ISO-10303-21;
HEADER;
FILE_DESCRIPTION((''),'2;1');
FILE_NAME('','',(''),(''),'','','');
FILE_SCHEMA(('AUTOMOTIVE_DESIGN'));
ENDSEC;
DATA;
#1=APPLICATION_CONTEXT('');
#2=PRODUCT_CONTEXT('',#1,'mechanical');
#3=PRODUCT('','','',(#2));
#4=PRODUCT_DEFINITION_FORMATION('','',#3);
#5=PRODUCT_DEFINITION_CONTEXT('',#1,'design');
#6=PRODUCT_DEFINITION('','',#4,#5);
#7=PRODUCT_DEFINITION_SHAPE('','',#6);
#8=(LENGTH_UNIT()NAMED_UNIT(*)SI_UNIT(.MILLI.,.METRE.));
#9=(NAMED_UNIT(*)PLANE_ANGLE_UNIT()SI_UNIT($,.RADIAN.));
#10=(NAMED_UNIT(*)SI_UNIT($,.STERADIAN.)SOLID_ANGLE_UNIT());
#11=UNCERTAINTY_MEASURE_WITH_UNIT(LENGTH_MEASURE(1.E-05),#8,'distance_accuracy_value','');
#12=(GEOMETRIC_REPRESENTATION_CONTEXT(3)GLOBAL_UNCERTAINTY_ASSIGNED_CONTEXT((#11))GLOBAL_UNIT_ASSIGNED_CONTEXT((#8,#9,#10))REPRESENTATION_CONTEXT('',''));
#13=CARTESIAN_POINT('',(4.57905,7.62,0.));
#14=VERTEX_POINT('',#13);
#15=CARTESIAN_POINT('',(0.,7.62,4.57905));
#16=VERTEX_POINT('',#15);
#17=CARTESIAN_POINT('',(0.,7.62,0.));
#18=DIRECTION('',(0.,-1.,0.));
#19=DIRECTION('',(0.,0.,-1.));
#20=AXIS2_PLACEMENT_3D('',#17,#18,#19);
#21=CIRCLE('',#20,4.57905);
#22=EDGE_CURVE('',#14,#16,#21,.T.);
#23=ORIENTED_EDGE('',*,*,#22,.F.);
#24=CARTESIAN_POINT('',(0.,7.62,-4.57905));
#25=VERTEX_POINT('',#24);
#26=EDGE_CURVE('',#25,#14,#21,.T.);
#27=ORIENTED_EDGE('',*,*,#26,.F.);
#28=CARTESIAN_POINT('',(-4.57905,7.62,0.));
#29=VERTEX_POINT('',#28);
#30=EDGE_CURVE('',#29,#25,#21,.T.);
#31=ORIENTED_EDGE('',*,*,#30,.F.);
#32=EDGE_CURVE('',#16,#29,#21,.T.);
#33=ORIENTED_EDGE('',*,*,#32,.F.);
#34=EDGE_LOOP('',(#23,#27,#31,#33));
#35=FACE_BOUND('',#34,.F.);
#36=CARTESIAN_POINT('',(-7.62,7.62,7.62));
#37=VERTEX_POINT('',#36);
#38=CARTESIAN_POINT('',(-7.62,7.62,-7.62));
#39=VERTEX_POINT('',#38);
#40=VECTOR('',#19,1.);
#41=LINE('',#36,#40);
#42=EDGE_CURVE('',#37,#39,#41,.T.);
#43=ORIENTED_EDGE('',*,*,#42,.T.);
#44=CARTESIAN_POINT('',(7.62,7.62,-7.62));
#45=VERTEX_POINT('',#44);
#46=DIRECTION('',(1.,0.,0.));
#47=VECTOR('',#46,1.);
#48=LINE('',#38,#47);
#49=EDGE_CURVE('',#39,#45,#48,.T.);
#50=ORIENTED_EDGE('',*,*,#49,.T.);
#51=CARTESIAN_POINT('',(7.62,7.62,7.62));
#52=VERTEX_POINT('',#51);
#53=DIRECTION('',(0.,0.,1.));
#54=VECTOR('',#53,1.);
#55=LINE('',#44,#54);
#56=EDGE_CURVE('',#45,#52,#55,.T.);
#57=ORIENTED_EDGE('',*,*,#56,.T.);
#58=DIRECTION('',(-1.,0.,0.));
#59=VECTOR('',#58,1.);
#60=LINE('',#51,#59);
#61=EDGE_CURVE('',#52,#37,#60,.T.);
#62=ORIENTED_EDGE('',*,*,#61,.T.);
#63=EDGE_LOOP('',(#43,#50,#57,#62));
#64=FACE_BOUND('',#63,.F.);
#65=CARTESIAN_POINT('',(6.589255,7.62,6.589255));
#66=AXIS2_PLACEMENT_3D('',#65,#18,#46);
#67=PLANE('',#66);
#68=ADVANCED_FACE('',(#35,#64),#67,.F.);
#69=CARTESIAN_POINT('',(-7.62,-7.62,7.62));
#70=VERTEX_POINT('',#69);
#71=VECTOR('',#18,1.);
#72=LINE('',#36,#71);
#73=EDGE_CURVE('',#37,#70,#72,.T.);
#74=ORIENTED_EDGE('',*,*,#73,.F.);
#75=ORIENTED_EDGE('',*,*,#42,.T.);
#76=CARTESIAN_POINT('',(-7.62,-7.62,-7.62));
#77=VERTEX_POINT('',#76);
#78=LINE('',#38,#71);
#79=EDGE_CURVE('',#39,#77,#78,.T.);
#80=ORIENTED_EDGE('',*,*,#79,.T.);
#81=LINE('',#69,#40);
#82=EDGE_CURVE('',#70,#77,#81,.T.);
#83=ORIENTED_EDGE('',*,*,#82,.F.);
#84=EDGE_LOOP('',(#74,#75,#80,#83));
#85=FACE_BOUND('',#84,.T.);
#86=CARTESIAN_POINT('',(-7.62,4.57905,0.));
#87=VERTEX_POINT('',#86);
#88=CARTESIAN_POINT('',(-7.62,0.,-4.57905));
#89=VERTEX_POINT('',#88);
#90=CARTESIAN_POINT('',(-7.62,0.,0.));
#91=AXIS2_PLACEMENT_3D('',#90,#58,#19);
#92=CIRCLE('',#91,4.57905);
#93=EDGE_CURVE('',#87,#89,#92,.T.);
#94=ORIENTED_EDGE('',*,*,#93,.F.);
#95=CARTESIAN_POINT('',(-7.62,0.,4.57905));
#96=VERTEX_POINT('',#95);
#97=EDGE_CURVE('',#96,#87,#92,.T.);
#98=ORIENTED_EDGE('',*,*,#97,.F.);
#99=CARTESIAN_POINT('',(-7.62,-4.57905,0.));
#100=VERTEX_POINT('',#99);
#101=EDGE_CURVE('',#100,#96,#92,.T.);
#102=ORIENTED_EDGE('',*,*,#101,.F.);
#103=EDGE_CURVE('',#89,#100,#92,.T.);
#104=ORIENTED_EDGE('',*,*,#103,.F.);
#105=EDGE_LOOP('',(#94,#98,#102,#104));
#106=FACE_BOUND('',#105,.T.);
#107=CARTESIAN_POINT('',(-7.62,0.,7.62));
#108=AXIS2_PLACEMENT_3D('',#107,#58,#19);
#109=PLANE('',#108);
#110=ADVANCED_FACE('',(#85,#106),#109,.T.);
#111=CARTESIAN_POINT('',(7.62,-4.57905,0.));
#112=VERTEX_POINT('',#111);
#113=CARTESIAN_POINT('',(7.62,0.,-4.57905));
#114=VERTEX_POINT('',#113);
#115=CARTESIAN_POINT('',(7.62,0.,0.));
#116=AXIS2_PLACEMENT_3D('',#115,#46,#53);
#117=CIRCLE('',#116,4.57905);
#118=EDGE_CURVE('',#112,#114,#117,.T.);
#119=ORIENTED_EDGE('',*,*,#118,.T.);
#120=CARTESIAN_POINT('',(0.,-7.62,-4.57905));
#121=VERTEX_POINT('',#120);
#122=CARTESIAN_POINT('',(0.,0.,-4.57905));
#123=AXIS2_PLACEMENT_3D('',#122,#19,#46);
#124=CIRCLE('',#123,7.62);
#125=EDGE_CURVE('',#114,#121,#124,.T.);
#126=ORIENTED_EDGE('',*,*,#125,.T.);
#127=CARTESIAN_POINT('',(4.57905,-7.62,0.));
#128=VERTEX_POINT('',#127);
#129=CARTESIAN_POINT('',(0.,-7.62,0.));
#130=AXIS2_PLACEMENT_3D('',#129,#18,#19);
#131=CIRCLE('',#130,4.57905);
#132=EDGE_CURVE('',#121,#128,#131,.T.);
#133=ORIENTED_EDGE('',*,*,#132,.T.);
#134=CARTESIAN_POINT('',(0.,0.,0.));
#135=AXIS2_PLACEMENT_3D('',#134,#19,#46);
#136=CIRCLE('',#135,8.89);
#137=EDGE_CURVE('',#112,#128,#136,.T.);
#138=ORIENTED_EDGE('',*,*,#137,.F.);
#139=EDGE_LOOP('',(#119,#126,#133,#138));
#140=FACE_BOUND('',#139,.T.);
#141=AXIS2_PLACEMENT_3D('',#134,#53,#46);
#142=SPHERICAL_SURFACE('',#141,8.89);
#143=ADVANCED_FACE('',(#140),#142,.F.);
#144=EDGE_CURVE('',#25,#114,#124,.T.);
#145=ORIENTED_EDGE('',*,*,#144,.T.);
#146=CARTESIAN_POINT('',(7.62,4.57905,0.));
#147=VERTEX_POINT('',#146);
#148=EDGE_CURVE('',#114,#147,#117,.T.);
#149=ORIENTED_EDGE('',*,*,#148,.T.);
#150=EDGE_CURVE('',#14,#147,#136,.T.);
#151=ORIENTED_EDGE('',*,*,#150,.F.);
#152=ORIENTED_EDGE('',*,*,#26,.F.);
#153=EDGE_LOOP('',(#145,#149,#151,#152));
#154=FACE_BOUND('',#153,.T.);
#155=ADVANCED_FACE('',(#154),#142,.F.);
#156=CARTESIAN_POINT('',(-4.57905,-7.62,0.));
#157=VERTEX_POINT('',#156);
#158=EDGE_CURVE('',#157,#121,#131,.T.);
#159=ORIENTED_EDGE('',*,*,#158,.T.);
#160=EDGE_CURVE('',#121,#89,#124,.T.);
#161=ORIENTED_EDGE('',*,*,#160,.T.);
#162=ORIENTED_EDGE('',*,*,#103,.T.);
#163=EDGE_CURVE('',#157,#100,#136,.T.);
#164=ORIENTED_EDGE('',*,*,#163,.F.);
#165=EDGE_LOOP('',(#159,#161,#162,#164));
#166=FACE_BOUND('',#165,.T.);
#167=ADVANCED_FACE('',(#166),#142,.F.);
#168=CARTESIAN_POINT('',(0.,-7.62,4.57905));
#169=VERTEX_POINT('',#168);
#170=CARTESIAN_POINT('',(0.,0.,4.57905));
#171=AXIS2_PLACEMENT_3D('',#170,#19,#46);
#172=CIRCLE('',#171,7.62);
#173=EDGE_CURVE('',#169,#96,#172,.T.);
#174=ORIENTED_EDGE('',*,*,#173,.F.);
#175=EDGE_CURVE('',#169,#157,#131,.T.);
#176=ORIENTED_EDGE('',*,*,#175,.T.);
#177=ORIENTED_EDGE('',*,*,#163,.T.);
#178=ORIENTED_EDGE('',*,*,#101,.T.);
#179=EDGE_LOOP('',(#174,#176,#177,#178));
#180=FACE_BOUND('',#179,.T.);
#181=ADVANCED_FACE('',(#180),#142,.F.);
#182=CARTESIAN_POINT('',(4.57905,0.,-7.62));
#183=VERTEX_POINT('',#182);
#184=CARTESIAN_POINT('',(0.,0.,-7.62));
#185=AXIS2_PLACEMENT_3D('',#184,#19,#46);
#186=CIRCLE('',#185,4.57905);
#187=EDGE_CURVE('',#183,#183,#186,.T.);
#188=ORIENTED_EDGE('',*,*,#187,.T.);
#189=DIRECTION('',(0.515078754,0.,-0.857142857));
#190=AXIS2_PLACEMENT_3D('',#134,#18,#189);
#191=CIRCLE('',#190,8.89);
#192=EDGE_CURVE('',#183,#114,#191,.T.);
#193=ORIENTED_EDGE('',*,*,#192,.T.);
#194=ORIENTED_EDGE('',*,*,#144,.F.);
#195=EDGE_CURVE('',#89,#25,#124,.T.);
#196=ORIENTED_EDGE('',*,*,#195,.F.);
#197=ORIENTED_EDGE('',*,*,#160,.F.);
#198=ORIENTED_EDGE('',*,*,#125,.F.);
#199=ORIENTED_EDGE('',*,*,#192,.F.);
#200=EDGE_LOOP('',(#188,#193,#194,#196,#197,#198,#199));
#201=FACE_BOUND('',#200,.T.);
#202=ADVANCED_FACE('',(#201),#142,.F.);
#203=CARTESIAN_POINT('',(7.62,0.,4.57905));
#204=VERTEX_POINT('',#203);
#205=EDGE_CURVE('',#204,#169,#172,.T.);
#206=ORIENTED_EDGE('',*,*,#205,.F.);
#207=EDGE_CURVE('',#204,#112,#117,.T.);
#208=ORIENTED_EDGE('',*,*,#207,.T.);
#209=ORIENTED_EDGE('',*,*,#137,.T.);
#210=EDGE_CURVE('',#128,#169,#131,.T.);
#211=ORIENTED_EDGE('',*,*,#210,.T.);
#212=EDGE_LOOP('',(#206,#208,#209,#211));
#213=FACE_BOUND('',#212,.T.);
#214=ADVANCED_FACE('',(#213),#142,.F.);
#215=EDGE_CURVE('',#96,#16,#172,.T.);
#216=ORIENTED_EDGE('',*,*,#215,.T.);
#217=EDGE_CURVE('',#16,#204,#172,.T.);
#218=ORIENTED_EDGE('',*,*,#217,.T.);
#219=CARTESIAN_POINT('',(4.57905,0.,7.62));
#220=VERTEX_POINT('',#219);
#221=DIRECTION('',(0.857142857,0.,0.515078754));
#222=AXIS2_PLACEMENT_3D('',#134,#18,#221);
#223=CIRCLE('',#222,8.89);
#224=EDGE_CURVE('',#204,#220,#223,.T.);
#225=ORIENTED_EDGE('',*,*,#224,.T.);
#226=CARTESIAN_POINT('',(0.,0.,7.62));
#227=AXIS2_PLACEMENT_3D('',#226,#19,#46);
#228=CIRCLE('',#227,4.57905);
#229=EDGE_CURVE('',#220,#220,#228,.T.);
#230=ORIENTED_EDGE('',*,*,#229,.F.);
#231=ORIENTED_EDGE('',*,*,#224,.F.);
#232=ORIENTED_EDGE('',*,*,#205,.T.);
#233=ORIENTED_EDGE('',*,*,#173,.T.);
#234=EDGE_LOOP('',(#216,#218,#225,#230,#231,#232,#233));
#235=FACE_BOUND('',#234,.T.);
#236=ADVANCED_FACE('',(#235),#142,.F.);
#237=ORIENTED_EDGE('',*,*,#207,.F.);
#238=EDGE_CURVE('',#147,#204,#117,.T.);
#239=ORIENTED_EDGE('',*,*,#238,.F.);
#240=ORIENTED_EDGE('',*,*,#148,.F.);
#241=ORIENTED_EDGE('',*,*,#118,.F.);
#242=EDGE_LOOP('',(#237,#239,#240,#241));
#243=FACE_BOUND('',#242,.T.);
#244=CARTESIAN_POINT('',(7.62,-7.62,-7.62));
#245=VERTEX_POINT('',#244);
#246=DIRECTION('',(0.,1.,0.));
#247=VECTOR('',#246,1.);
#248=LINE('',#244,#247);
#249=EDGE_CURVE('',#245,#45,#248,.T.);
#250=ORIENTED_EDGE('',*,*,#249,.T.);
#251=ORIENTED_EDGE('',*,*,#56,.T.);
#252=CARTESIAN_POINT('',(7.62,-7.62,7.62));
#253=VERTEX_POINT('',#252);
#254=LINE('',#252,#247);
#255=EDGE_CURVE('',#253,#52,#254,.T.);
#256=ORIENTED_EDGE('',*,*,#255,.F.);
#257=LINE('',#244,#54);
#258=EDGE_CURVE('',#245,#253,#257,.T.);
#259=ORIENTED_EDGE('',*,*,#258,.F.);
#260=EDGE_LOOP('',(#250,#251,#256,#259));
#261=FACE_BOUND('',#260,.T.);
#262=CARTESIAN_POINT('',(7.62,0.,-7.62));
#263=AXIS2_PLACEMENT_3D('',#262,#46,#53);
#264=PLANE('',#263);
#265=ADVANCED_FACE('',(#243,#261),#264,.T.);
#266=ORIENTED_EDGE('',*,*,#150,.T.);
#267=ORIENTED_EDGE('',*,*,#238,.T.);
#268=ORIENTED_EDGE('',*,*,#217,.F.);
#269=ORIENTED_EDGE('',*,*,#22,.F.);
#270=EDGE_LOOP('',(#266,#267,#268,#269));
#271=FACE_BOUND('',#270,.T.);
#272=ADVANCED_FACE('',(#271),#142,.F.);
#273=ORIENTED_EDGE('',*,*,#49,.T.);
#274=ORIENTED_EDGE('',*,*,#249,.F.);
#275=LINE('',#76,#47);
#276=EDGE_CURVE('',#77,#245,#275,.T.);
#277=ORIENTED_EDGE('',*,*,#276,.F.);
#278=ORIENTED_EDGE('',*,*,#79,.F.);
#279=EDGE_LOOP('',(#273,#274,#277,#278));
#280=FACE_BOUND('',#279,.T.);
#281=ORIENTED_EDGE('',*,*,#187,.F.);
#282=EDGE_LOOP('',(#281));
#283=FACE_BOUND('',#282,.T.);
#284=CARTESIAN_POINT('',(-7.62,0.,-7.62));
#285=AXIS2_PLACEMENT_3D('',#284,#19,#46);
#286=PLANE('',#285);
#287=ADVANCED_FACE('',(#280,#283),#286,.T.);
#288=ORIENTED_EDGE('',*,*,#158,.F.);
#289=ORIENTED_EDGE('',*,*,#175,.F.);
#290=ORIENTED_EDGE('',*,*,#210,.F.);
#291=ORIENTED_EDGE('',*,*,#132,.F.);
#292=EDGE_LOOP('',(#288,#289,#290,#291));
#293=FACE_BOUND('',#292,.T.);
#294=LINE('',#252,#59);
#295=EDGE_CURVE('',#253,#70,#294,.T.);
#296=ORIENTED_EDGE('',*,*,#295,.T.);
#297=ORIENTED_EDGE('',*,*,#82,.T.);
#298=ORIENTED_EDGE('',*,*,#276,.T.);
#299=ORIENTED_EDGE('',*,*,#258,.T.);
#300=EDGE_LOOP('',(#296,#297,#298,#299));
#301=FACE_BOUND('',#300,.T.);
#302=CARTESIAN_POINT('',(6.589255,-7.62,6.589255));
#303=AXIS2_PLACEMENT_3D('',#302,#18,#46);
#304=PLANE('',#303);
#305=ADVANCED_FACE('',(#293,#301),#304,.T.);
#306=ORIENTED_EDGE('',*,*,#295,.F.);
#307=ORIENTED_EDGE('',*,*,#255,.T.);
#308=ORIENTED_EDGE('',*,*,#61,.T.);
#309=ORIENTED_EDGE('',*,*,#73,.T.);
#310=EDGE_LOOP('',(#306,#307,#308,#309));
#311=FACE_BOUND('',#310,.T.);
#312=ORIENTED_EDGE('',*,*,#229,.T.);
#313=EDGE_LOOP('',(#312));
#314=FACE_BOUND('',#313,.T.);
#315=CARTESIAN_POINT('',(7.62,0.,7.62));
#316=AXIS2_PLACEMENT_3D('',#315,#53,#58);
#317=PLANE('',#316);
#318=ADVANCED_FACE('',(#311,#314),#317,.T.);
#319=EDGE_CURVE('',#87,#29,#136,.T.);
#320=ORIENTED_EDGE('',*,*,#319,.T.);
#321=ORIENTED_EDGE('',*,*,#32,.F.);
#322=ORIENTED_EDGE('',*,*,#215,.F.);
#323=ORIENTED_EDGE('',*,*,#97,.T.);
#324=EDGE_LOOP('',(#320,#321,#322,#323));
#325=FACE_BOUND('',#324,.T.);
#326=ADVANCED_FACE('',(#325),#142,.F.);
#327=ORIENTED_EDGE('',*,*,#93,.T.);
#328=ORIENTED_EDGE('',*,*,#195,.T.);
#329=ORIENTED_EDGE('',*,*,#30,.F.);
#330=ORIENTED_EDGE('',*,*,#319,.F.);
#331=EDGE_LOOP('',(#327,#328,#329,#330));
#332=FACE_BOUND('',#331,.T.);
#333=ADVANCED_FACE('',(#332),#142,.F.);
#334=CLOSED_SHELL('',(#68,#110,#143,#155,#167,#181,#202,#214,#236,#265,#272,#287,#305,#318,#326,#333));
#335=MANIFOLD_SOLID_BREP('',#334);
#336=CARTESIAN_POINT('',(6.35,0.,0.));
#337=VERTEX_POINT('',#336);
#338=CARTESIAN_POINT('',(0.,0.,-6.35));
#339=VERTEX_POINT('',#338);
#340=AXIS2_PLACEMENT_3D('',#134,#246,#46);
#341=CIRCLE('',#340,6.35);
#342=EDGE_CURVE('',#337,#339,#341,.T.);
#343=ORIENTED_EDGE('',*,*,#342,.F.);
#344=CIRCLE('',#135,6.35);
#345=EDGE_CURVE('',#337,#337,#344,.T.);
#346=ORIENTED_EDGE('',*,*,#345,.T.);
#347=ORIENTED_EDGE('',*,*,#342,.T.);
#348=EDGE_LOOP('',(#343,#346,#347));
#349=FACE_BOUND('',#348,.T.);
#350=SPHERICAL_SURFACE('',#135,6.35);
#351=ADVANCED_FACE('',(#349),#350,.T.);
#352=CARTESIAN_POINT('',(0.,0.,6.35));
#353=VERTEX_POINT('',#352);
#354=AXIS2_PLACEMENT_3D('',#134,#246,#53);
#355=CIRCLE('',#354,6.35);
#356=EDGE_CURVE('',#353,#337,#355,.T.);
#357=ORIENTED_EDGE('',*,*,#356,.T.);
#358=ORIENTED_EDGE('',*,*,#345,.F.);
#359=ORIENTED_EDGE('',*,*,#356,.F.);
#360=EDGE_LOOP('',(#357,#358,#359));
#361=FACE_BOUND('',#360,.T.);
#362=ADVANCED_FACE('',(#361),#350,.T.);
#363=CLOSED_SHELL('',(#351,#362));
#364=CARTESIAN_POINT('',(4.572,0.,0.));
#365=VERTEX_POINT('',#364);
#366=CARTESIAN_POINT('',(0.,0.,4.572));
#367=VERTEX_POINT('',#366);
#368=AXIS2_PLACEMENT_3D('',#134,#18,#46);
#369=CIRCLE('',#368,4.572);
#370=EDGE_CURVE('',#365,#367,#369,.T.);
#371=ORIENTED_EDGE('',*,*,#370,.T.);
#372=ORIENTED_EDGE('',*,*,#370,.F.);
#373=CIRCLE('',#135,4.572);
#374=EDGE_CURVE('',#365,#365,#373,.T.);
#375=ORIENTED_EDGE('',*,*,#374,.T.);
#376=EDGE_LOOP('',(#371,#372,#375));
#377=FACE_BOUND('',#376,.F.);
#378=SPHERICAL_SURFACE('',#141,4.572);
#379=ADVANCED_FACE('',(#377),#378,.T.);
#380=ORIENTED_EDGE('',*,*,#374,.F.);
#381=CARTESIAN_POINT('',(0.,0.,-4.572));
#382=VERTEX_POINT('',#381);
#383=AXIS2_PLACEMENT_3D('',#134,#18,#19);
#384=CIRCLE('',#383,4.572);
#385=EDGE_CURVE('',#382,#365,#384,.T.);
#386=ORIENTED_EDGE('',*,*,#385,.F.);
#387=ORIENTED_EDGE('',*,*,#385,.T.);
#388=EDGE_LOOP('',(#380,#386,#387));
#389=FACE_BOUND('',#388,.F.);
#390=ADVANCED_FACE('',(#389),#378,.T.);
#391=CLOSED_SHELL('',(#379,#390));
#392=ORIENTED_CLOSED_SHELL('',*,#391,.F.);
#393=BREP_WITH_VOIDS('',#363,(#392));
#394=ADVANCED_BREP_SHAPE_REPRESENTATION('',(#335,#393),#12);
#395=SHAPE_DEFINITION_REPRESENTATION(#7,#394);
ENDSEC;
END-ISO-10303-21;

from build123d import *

# Parameters (mm, degrees)
F1_DEPTH = 7.62


with BuildPart() as f1:
    # F0 (on Front) → F1 (new body, symmetric)
    with BuildSketch(Plane.XZ):
        with BuildLine():
            ThreePointArc((4.5790501198, 7.62), (6.2861792847, 6.2861792847), (7.62, 4.5790501198))
            Line((7.62, 4.5790501198), (7.62, 7.62))
            Line((7.62, 7.62), (4.5790501198, 7.62))
        make_face()
        with BuildLine():
            Line((0, -7.62), (4.5790501198, -7.62))
            ThreePointArc((4.5790501198, -7.62), (6.2861792847, -6.2861792847), (7.62, -4.5790501198))
            Line((7.62, -4.5790501198), (7.62, 4.5790501198))
            ThreePointArc((7.62, 4.5790501198), (6.2861792847, 6.2861792847), (4.5790501198, 7.62))
            Line((4.5790501198, 7.62), (0, 7.62))
            Line((0, 7.62), (0, 6.35))
            ThreePointArc((0, 6.35), (4.4901280605, 4.4901280605), (6.35, 0))
            ThreePointArc((6.35, 0), (4.4901280605, -4.4901280605), (0, -6.35))
            Line((0, -6.35), (0, -7.62))
        make_face()
        with BuildLine():
            Line((4.5790501198, -7.62), (7.62, -7.62))
            Line((7.62, -7.62), (7.62, -4.5790501198))
            ThreePointArc((7.62, -4.5790501198), (6.2861792847, -6.2861792847), (4.5790501198, -7.62))
        make_face()
        with BuildLine():
            Line((-4.5790501198, -7.62), (0, -7.62))
            Line((0, -7.62), (0, -6.35))
            ThreePointArc((0, -6.35), (-6.35, 0), (0, 6.35))
            Line((0, 6.35), (0, 7.62))
            Line((0, 7.62), (-4.5790501198, 7.62))
            ThreePointArc((-4.5790501198, 7.62), (-6.2861792847, 6.2861792847), (-7.62, 4.5790501198))
            Line((-7.62, 4.5790501198), (-7.62, -4.5790501198))
            ThreePointArc((-7.62, -4.5790501198), (-6.2861792847, -6.2861792847), (-4.5790501198, -7.62))
        make_face()
        with BuildLine():
            Line((-7.62, 7.62), (-7.62, 4.5790501198))
            ThreePointArc((-7.62, 4.5790501198), (-6.2861792847, 6.2861792847), (-4.5790501198, 7.62))
            Line((-4.5790501198, 7.62), (-7.62, 7.62))
        make_face()
        with BuildLine():
            Line((-7.62, -7.62), (-4.5790501198, -7.62))
            ThreePointArc((-4.5790501198, -7.62), (-6.2861792847, -6.2861792847), (-7.62, -4.5790501198))
            Line((-7.62, -4.5790501198), (-7.62, -7.62))
        make_face()
        with BuildLine():
            ThreePointArc((0, 6.35), (-6.35, 0), (0, -6.35))
            Line((0, -6.35), (0, -4.572))
            ThreePointArc((0, -4.572), (-4.572, 0), (0, 4.572))
            Line((0, 4.572), (0, 6.35))
        make_face()
        with BuildLine():
            Line((0, -4.572), (0, -6.35))
            ThreePointArc((0, -6.35), (4.4901280605, -4.4901280605), (6.35, 0))
            ThreePointArc((6.35, 0), (4.4901280605, 4.4901280605), (0, 6.35))
            Line((0, 6.35), (0, 4.572))
            ThreePointArc((0, 4.572), (3.2328922036, 3.2328922036), (4.572, 0))
            ThreePointArc((4.572, 0), (3.2328922036, -3.2328922036), (0, -4.572))
        make_face()
        with BuildLine():
            Line((0, 4.572), (0, -4.572))
            ThreePointArc((0, -4.572), (3.2328922036, -3.2328922036), (4.572, 0))
            ThreePointArc((4.572, 0), (3.2328922036, 3.2328922036), (0, 4.572))
        make_face()
        with BuildLine():
            ThreePointArc((0, 4.572), (-4.572, 0), (0, -4.572))
            Line((0, -4.572), (0, 4.572))
        make_face()
    extrude(amount=F1_DEPTH, both=True)

    # F0 (on Front) → F2 (revolve, cut)
    with BuildSketch(Plane.XZ):
        with BuildLine():
            ThreePointArc((0, -8.89), (2.3759524406, -8.5666183527), (4.5790501198, -7.62))
            Line((4.5790501198, -7.62), (0, -7.62))
            Line((0, -7.62), (0, -8.89))
        make_face()
        with BuildLine():
            Line((0, 7.62), (4.5790501198, 7.62))
            ThreePointArc((4.5790501198, 7.62), (2.3759524406, 8.5666183527), (0, 8.89))
            Line((0, 8.89), (0, 7.62))
        make_face()
        with BuildLine():
            Line((0, -7.62), (4.5790501198, -7.62))
            ThreePointArc((4.5790501198, -7.62), (6.2861792847, -6.2861792847), (7.62, -4.5790501198))
            Line((7.62, -4.5790501198), (7.62, 4.5790501198))
            ThreePointArc((7.62, 4.5790501198), (6.2861792847, 6.2861792847), (4.5790501198, 7.62))
            Line((4.5790501198, 7.62), (0, 7.62))
            Line((0, 7.62), (0, 6.35))
            ThreePointArc((0, 6.35), (4.4901280605, 4.4901280605), (6.35, 0))
            ThreePointArc((6.35, 0), (4.4901280605, -4.4901280605), (0, -6.35))
            Line((0, -6.35), (0, -7.62))
        make_face()
        with BuildLine():
            Line((7.62, 4.5790501198), (7.62, -4.5790501198))
            ThreePointArc((7.62, -4.5790501198), (8.5666183527, -2.3759524406), (8.89, 0))
            ThreePointArc((8.89, 0), (8.5666183527, 2.3759524406), (7.62, 4.5790501198))
        make_face()
        with BuildLine():
            Line((0, 4.572), (0, -4.572))
            ThreePointArc((0, -4.572), (3.2328922036, -3.2328922036), (4.572, 0))
            ThreePointArc((4.572, 0), (3.2328922036, 3.2328922036), (0, 4.572))
        make_face()
    revolve(axis=Axis((0, 0, 1.2539907621), (0, 0, -1)), mode=Mode.SUBTRACT)


solid = f1.part
